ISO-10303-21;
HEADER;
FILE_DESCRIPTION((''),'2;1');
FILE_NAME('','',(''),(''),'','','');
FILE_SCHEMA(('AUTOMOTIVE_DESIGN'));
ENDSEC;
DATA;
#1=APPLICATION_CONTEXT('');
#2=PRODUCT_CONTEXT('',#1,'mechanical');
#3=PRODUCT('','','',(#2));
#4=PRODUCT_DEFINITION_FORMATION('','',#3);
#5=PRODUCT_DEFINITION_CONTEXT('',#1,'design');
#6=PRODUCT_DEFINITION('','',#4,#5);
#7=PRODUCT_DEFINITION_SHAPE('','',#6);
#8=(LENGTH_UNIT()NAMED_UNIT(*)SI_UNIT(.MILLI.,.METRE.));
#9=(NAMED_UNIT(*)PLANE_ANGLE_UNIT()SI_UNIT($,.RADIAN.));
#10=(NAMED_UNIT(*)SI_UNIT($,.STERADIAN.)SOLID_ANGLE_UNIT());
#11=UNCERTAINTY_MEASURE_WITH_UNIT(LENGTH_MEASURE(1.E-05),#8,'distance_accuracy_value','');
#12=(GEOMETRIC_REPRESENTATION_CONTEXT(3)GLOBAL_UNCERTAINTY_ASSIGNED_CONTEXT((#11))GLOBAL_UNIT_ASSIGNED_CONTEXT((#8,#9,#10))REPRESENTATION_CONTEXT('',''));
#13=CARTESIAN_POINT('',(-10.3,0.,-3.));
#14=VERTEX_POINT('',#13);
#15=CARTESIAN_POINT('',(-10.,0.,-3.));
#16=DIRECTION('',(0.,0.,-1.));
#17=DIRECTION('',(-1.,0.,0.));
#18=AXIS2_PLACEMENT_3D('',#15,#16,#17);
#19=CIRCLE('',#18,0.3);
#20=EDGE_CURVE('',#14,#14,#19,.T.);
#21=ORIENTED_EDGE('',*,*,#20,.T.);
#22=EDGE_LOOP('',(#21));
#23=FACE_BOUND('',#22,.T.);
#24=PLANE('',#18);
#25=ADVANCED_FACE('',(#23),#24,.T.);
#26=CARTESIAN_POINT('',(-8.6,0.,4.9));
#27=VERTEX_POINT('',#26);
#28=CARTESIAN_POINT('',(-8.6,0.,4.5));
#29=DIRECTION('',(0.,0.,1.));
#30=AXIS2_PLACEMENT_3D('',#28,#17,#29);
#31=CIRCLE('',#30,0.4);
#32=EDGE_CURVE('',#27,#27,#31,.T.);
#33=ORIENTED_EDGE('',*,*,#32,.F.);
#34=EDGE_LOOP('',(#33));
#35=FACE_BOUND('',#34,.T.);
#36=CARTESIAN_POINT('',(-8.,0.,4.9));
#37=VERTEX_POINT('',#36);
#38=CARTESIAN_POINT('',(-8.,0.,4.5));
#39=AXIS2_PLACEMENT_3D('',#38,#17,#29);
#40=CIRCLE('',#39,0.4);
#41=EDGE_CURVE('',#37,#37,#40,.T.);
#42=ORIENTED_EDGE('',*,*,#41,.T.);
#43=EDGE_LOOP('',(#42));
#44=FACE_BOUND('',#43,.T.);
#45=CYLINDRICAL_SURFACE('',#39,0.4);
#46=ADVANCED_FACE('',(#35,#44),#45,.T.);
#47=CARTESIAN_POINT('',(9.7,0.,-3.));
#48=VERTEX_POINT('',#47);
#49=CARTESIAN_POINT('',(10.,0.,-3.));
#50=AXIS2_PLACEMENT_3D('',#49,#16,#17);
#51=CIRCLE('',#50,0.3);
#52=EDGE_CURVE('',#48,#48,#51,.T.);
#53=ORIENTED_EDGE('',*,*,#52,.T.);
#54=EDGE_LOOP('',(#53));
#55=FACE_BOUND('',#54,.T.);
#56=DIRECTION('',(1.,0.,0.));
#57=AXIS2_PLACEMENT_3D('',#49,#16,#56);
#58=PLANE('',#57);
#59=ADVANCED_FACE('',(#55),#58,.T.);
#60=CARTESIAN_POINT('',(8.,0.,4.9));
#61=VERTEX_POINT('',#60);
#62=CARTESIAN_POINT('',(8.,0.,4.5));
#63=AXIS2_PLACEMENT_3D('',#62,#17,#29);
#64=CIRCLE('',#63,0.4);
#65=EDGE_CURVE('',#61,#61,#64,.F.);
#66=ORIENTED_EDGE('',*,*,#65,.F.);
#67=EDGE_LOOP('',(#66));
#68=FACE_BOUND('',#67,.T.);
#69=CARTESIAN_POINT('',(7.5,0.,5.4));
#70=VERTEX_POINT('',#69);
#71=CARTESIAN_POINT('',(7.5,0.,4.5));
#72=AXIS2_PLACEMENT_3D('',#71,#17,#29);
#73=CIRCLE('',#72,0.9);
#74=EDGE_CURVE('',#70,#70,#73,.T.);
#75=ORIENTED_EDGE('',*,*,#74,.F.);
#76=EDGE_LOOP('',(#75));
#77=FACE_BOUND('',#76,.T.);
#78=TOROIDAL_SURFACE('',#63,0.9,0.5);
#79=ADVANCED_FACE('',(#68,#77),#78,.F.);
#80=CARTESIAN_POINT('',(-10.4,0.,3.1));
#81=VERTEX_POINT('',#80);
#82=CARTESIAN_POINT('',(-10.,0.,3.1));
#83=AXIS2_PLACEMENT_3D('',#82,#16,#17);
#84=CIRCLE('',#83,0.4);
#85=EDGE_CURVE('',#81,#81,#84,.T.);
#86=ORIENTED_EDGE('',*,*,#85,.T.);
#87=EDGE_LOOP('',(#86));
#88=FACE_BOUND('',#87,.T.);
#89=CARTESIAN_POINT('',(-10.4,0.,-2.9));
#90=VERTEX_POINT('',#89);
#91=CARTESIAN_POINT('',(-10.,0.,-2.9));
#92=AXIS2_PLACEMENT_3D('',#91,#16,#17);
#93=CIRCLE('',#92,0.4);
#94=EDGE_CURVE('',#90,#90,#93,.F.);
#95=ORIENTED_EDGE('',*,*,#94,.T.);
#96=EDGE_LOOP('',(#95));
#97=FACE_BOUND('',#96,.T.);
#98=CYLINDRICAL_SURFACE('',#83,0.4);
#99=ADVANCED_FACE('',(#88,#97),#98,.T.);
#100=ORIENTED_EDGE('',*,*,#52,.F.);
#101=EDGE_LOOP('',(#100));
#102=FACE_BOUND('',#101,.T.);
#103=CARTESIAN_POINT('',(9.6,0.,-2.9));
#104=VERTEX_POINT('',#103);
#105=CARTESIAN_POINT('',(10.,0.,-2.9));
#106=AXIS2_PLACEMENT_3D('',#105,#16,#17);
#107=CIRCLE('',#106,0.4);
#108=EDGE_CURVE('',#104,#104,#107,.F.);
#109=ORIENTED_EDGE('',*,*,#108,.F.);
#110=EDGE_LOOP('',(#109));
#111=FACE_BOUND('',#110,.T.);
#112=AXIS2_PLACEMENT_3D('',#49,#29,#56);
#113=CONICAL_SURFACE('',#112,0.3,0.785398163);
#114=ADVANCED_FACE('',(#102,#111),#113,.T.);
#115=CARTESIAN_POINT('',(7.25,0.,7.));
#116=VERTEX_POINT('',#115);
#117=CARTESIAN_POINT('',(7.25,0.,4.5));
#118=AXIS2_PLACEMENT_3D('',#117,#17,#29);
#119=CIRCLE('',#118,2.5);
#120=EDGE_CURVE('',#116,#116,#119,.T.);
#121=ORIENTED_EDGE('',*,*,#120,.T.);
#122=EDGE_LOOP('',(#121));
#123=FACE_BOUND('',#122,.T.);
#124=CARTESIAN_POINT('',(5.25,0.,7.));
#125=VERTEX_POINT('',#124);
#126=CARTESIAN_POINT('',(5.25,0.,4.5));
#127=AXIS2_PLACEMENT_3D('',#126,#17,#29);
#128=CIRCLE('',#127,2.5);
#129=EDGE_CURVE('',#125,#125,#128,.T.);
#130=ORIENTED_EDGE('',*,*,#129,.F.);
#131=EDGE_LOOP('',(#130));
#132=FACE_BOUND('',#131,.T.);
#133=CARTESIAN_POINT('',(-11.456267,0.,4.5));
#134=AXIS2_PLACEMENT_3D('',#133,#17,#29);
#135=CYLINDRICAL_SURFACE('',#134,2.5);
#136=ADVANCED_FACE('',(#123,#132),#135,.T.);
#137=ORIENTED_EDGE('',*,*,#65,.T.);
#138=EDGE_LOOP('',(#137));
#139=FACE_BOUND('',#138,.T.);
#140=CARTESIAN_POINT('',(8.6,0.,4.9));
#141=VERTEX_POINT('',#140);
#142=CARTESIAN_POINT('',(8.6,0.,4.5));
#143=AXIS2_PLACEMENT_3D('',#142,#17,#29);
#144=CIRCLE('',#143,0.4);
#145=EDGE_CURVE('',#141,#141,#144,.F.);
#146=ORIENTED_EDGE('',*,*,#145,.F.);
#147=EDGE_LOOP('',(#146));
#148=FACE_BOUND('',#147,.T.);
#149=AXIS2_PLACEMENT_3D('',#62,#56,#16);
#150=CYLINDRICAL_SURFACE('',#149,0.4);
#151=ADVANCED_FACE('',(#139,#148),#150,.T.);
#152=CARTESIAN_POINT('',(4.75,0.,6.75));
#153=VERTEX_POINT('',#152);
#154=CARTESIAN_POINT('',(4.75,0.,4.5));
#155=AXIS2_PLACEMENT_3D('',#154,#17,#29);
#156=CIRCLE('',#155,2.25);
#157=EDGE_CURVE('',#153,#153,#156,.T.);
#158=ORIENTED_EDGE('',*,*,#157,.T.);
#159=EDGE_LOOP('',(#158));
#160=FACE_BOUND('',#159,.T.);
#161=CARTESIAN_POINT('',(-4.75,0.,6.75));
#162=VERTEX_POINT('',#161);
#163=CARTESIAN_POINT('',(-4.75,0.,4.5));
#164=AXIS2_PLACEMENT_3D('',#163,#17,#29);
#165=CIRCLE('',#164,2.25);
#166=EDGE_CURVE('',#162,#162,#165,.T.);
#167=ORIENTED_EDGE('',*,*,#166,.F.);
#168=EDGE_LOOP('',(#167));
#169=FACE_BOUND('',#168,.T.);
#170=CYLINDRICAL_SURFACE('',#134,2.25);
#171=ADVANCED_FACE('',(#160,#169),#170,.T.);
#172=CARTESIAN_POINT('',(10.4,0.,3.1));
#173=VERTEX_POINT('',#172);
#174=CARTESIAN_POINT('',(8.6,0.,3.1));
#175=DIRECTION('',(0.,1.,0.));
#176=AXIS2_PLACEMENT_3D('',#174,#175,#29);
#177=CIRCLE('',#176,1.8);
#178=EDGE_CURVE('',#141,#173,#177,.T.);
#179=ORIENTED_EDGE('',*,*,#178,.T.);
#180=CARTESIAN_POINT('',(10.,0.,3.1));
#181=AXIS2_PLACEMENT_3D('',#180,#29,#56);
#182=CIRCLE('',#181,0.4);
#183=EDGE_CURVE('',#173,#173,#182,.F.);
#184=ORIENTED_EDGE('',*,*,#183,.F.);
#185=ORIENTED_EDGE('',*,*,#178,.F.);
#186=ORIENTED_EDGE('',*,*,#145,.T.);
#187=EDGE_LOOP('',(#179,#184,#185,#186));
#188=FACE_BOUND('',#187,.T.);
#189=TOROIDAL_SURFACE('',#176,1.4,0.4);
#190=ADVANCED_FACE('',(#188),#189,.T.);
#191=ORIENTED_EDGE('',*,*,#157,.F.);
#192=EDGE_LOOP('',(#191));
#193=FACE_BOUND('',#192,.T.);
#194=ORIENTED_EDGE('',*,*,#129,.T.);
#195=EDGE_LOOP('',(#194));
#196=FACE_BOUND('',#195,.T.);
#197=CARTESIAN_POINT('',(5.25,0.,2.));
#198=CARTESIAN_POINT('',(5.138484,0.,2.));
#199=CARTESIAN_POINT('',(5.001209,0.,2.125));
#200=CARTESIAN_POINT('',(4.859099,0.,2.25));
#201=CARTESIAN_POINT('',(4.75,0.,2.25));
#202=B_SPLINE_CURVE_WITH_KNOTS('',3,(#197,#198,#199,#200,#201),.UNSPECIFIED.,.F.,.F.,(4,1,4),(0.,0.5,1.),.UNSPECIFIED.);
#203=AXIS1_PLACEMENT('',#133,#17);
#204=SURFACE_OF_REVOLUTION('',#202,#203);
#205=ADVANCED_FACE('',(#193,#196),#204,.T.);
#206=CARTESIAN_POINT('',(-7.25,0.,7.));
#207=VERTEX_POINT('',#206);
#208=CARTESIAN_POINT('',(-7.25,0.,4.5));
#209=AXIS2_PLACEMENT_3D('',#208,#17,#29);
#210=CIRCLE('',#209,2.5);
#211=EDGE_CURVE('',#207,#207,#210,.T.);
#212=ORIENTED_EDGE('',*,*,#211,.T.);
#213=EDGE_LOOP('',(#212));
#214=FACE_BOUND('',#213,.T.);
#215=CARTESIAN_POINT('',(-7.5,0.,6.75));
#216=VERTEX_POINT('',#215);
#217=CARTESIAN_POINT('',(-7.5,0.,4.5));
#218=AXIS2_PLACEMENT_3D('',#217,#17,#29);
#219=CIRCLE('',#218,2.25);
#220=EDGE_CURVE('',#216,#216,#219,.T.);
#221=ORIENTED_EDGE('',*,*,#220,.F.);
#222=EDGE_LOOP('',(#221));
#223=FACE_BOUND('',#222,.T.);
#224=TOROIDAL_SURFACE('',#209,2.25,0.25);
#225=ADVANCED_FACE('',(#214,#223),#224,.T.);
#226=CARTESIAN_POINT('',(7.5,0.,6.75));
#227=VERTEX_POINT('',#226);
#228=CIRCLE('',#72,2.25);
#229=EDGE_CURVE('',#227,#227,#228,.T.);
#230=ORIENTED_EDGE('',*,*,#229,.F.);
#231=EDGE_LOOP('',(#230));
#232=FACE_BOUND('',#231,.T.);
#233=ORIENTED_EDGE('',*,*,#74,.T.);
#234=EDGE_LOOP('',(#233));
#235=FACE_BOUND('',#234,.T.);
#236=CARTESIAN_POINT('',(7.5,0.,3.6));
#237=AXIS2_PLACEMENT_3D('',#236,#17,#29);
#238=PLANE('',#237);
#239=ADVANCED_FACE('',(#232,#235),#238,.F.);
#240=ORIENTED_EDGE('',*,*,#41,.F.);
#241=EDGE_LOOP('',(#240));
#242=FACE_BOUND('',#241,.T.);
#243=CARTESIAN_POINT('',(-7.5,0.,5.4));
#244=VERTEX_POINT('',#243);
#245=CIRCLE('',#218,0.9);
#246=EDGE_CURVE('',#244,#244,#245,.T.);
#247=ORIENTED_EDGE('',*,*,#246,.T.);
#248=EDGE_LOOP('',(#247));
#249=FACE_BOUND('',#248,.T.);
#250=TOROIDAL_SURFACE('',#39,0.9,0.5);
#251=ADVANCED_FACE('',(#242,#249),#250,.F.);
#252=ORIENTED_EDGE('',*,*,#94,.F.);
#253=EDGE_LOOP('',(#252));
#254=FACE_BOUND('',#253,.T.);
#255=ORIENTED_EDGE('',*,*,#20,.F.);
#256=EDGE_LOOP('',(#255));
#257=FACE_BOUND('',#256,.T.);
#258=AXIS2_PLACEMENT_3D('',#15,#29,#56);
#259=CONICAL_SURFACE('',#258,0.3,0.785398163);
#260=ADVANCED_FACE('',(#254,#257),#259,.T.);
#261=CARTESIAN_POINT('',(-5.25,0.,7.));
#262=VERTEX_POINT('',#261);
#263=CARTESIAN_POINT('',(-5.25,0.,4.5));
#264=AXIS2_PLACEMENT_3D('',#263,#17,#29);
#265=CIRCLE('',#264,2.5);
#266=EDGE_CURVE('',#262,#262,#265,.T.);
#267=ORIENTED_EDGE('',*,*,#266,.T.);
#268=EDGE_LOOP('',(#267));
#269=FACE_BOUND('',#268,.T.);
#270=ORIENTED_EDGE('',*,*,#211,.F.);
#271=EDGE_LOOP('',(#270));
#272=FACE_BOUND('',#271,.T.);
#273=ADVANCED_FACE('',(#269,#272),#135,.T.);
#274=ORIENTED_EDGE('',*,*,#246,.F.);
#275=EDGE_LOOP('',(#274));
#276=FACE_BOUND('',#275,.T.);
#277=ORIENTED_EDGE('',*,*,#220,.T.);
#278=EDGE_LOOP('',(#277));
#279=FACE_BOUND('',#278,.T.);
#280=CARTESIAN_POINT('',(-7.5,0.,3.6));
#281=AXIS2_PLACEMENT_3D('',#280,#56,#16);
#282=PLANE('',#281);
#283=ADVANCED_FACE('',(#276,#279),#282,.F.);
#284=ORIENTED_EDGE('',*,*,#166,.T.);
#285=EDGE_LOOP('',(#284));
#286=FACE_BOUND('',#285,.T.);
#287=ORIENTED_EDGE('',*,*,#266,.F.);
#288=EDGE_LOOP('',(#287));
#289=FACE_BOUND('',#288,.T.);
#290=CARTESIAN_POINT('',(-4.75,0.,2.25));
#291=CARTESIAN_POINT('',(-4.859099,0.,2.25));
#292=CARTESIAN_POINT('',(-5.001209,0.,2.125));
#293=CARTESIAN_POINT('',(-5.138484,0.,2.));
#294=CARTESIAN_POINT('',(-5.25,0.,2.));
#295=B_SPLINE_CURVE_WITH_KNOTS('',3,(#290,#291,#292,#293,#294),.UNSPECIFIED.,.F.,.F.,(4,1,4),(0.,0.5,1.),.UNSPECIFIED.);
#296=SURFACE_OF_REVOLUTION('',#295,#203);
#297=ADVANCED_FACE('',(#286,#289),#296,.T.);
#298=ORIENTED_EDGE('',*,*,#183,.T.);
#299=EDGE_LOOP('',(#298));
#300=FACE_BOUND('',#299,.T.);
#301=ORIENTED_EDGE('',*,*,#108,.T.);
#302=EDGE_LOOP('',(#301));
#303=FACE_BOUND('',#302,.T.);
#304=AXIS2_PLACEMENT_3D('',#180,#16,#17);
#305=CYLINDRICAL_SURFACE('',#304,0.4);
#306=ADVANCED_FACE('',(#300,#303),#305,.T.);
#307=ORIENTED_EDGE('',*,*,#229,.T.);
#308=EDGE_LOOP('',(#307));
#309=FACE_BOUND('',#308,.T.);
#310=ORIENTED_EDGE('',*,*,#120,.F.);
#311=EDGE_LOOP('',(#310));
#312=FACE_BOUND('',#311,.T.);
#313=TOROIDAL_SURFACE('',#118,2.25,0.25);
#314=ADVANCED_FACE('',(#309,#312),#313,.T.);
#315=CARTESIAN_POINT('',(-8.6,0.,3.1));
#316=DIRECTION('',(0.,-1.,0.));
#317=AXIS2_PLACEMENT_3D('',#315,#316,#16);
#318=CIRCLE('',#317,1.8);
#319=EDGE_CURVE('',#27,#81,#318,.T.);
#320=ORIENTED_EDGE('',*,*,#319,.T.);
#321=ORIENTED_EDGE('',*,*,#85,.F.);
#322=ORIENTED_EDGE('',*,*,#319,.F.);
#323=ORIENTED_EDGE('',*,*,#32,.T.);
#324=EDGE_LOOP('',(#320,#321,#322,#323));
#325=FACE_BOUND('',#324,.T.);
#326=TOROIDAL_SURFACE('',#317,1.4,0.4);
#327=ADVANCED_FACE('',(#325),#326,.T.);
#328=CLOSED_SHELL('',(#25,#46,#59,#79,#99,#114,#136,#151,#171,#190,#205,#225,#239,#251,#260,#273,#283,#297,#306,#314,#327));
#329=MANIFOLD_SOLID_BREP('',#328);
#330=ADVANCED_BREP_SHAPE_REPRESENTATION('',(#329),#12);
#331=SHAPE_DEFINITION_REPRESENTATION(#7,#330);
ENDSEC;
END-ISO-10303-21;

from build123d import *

# Parameters (mm, degrees)
SKETCH_3_R                 = 0.4
CHAMFER_1_SIZE             = 0.1
CHAMFER_1_OF_MIRROR_1_SIZE = 0.1


with BuildPart() as part:
    # Эскиз1 → Повернуть1 (revolve)
    with BuildSketch(Plane(origin=(0, 0, 0), x_dir=(1, 0, 0), z_dir=(0, 1, 0)), mode=Mode.PRIVATE) as revolve_1_sk:
        with BuildLine():
            Line((-8, -4.5), (8, -4.5))
            Line((8, -4.5), (8, -4.1))
            ThreePointArc((8, -4.1), (7.646446609, -3.953553391), (7.5, -3.6))
            Line((7.5, -3.6), (7.5, -2.25))
            ThreePointArc((7.5, -2.25), (7.426776695, -2.073223305), (7.25, -2))
            Line((7.25, -2), (5.25, -2))
            add(Edge.make_bspline(
                [(5.25, -2), (5.138483771, -2), (5.001208755, -2.125), (4.859098719, -2.25), (4.75, -2.25)],
                knots=[0, 0, 0, 0, 0.5, 1, 1, 1, 1], degree=3))
            Line((4.75, -2.25), (-4.75, -2.25))
            add(Edge.make_bspline(
                [(-5.25, -2), (-5.138483771, -2), (-5.001208755, -2.125), (-4.859098719, -2.25), (-4.75, -2.25)],
                knots=[0, 0, 0, 0, 0.5, 1, 1, 1, 1], degree=3))
            Line((-5.25, -2), (-7.25, -2))
            ThreePointArc((-7.25, -2), (-7.426776695, -2.073223305), (-7.5, -2.25))
            Line((-7.5, -2.25), (-7.5, -3.6))
            ThreePointArc((-7.5, -3.6), (-7.646446609, -3.953553391), (-8, -4.1))
            Line((-8, -4.1), (-8, -4.5))
        make_face()
    revolve(revolve_1_sk.sketch.rotate(Axis((-11.456266602, 0, 4.5), (1, 0, 0)), 180), axis=Axis((-11.456266602, 0, 4.5), (1, 0, 0)))

    # По траектории1: sweep along a path in Эскиз2
    with BuildLine(Plane(origin=(0, 0, 0), x_dir=(1, 0, 0), z_dir=(0, 1, 0))) as sweep_1_path:
        Line((-8, -4.5), (-8.6, -4.5))
        ThreePointArc((-8.6, -4.5), (-9.589949494, -4.089949494), (-10, -3.1))
        Line((-10, -3.1), (-10, 3))
    # Эскиз3 → По траектории1 (sweep)
    with BuildSketch(Plane.ZY.offset(8)):
        with Locations((4.5, 0)):
            Circle(SKETCH_3_R)
    sweep_1 = sweep(path=sweep_1_path.line)

    # Фаска1
    chamfer_1_edges = [part.edges().sort_by_distance(p)[0] for p in [
        (-9.6, 0, -3),
    ]]
    chamfer(chamfer_1_edges, length=CHAMFER_1_SIZE)

    # Зеркальное отражение1: По траектории1 across plane
    add(sweep_1.mirror(Plane(origin=(0, 0, 0), x_dir=(0, 0, 1), z_dir=(1, 0, 0))))

    # Фаска1 of Зеркальное отражение1
    chamfer_1_of_mirror_1_edges = [part.edges().sort_by_distance(p)[0] for p in [
        (9.6, 0, -3),
    ]]
    chamfer(chamfer_1_of_mirror_1_edges, length=CHAMFER_1_OF_MIRROR_1_SIZE)


solid = part.part
